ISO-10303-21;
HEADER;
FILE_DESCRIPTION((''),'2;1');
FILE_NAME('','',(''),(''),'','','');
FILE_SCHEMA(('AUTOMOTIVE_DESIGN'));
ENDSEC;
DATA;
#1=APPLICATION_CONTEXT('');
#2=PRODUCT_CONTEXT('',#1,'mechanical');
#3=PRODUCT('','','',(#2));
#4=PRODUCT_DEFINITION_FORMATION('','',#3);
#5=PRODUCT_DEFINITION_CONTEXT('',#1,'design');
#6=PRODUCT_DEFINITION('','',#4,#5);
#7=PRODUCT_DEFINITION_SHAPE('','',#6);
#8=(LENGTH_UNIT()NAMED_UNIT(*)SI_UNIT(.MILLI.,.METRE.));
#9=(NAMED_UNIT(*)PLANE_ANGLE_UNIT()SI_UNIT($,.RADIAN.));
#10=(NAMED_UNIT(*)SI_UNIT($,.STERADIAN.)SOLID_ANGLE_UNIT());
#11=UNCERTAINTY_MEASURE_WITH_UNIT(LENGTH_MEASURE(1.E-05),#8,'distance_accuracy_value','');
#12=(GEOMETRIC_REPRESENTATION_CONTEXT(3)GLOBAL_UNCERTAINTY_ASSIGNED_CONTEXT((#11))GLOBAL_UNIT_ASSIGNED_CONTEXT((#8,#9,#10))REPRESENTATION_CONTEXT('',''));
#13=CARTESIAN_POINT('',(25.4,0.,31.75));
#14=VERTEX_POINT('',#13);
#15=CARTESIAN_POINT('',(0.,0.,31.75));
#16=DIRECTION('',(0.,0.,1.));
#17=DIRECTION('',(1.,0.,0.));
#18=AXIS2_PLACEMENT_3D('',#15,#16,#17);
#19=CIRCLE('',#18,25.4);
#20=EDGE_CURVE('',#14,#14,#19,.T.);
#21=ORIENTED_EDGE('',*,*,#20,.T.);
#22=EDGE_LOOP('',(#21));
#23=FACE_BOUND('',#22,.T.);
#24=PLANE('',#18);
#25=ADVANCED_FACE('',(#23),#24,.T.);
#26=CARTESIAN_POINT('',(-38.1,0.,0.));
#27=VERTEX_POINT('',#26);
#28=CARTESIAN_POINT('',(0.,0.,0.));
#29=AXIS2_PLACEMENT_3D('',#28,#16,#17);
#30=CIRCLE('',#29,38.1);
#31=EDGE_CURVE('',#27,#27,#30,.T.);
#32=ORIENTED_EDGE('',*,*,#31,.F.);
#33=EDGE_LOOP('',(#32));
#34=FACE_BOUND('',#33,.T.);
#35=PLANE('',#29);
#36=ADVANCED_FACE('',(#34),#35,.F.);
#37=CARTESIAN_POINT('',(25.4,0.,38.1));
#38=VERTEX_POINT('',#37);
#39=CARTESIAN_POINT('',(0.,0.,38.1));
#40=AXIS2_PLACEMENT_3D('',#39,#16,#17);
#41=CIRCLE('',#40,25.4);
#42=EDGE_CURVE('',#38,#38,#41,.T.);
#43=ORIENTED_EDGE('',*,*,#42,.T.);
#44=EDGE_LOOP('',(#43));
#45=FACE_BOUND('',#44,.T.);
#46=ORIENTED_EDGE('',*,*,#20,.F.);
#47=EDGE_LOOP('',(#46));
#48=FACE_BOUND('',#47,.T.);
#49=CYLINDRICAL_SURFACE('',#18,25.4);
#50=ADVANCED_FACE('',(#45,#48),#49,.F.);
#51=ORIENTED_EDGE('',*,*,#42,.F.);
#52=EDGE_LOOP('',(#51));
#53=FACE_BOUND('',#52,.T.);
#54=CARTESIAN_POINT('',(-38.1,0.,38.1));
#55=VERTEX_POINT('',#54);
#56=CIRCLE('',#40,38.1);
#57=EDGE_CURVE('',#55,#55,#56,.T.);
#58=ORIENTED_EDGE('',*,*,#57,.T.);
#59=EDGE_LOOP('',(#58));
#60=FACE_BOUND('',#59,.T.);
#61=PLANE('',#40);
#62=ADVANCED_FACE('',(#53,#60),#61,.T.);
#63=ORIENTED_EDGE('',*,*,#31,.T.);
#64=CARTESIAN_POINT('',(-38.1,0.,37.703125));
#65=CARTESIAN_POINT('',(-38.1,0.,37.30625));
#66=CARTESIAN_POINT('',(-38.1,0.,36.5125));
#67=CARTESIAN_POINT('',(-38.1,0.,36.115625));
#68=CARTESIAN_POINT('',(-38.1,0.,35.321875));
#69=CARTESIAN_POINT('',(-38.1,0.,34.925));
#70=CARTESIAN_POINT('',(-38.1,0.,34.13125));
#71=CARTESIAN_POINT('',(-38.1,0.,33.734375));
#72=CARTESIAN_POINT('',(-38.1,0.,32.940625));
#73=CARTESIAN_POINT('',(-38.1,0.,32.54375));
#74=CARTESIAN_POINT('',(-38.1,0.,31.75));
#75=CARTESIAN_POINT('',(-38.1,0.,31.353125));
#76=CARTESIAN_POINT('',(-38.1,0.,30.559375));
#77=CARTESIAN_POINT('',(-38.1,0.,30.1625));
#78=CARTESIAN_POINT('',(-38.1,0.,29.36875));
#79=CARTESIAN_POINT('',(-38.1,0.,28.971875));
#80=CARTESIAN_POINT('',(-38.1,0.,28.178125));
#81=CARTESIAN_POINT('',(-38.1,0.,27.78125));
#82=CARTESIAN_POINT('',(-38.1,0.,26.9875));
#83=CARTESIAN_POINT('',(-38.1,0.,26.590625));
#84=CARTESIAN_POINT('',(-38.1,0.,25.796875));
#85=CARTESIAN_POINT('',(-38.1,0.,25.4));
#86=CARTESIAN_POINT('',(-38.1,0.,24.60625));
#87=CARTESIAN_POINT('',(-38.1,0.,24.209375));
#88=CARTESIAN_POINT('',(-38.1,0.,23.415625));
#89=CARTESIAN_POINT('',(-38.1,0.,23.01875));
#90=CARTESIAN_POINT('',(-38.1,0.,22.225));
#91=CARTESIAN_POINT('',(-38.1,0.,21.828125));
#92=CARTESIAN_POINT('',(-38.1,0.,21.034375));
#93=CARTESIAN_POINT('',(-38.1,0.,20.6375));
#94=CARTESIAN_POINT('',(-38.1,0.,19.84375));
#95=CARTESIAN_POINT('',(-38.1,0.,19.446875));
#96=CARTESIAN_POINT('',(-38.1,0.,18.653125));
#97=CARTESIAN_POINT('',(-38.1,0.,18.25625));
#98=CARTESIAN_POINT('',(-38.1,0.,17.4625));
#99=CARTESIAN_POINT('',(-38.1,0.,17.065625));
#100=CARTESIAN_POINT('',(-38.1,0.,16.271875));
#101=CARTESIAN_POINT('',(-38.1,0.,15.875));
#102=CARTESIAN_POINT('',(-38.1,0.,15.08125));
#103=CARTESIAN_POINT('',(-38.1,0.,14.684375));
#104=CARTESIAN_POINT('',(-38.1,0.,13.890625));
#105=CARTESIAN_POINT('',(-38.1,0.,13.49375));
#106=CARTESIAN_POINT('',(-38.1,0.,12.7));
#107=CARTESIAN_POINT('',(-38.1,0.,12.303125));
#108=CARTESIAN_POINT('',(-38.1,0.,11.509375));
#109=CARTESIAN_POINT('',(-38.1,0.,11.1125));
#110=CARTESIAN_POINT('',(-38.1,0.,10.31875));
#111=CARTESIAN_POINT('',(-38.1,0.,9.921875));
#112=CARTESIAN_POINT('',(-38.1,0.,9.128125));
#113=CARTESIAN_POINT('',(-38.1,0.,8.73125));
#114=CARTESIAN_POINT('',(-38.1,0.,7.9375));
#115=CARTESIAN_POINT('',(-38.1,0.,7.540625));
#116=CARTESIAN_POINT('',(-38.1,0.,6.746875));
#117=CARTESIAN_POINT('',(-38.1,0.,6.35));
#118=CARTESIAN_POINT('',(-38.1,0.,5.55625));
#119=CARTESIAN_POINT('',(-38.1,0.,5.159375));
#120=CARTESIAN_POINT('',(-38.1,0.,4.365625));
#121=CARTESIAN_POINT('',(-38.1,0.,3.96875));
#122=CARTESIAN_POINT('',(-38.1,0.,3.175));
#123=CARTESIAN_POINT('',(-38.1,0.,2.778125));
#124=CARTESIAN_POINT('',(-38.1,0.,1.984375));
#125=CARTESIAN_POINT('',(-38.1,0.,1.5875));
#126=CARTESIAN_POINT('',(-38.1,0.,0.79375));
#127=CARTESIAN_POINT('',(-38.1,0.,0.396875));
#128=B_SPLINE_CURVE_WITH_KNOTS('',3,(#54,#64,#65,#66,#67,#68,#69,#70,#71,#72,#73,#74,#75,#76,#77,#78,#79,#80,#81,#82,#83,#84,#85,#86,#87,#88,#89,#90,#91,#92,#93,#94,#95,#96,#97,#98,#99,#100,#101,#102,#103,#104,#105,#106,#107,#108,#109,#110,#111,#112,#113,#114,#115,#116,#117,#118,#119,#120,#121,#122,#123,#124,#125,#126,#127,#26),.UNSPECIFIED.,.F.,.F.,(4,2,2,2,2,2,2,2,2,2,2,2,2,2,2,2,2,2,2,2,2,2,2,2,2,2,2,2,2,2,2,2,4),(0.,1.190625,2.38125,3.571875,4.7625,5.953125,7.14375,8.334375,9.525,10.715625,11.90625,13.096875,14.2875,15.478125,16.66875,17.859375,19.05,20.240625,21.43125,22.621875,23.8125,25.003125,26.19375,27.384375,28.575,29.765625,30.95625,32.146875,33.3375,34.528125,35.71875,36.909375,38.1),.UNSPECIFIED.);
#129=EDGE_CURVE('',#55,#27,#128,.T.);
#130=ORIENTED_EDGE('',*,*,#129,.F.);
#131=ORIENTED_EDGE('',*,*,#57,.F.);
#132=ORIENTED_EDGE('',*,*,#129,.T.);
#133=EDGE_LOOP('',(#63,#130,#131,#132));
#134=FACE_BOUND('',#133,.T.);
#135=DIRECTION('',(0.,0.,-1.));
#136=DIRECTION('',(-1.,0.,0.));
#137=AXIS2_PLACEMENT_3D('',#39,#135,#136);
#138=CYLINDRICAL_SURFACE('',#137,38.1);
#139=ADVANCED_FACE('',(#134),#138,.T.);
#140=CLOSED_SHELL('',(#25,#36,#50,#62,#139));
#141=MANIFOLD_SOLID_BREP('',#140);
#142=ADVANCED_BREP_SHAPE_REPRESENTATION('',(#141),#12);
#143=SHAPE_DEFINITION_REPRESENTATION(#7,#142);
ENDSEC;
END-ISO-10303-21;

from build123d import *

# Parameters (mm, degrees)
SKETCH1_R           = 38.1
BOSS_EXTRUDE1_DEPTH = 38.1
SKETCH2_R           = 25.4
CUT_EXTRUDE1_DEPTH  = 6.35


with BuildPart() as part:
    # Sketch1 → Boss-Extrude1 (new body)
    with BuildSketch(Plane.XY):
        with Locations(Location((0, 0, 0), (0, 0, 180))):
            Circle(SKETCH1_R)
    extrude(amount=BOSS_EXTRUDE1_DEPTH)

    # Sketch2 → Cut-Extrude1 (cut)
    with BuildSketch(Plane.XY.offset(38.1)):
        Circle(SKETCH2_R)
    extrude(amount=-CUT_EXTRUDE1_DEPTH, mode=Mode.SUBTRACT)


solid = part.part
